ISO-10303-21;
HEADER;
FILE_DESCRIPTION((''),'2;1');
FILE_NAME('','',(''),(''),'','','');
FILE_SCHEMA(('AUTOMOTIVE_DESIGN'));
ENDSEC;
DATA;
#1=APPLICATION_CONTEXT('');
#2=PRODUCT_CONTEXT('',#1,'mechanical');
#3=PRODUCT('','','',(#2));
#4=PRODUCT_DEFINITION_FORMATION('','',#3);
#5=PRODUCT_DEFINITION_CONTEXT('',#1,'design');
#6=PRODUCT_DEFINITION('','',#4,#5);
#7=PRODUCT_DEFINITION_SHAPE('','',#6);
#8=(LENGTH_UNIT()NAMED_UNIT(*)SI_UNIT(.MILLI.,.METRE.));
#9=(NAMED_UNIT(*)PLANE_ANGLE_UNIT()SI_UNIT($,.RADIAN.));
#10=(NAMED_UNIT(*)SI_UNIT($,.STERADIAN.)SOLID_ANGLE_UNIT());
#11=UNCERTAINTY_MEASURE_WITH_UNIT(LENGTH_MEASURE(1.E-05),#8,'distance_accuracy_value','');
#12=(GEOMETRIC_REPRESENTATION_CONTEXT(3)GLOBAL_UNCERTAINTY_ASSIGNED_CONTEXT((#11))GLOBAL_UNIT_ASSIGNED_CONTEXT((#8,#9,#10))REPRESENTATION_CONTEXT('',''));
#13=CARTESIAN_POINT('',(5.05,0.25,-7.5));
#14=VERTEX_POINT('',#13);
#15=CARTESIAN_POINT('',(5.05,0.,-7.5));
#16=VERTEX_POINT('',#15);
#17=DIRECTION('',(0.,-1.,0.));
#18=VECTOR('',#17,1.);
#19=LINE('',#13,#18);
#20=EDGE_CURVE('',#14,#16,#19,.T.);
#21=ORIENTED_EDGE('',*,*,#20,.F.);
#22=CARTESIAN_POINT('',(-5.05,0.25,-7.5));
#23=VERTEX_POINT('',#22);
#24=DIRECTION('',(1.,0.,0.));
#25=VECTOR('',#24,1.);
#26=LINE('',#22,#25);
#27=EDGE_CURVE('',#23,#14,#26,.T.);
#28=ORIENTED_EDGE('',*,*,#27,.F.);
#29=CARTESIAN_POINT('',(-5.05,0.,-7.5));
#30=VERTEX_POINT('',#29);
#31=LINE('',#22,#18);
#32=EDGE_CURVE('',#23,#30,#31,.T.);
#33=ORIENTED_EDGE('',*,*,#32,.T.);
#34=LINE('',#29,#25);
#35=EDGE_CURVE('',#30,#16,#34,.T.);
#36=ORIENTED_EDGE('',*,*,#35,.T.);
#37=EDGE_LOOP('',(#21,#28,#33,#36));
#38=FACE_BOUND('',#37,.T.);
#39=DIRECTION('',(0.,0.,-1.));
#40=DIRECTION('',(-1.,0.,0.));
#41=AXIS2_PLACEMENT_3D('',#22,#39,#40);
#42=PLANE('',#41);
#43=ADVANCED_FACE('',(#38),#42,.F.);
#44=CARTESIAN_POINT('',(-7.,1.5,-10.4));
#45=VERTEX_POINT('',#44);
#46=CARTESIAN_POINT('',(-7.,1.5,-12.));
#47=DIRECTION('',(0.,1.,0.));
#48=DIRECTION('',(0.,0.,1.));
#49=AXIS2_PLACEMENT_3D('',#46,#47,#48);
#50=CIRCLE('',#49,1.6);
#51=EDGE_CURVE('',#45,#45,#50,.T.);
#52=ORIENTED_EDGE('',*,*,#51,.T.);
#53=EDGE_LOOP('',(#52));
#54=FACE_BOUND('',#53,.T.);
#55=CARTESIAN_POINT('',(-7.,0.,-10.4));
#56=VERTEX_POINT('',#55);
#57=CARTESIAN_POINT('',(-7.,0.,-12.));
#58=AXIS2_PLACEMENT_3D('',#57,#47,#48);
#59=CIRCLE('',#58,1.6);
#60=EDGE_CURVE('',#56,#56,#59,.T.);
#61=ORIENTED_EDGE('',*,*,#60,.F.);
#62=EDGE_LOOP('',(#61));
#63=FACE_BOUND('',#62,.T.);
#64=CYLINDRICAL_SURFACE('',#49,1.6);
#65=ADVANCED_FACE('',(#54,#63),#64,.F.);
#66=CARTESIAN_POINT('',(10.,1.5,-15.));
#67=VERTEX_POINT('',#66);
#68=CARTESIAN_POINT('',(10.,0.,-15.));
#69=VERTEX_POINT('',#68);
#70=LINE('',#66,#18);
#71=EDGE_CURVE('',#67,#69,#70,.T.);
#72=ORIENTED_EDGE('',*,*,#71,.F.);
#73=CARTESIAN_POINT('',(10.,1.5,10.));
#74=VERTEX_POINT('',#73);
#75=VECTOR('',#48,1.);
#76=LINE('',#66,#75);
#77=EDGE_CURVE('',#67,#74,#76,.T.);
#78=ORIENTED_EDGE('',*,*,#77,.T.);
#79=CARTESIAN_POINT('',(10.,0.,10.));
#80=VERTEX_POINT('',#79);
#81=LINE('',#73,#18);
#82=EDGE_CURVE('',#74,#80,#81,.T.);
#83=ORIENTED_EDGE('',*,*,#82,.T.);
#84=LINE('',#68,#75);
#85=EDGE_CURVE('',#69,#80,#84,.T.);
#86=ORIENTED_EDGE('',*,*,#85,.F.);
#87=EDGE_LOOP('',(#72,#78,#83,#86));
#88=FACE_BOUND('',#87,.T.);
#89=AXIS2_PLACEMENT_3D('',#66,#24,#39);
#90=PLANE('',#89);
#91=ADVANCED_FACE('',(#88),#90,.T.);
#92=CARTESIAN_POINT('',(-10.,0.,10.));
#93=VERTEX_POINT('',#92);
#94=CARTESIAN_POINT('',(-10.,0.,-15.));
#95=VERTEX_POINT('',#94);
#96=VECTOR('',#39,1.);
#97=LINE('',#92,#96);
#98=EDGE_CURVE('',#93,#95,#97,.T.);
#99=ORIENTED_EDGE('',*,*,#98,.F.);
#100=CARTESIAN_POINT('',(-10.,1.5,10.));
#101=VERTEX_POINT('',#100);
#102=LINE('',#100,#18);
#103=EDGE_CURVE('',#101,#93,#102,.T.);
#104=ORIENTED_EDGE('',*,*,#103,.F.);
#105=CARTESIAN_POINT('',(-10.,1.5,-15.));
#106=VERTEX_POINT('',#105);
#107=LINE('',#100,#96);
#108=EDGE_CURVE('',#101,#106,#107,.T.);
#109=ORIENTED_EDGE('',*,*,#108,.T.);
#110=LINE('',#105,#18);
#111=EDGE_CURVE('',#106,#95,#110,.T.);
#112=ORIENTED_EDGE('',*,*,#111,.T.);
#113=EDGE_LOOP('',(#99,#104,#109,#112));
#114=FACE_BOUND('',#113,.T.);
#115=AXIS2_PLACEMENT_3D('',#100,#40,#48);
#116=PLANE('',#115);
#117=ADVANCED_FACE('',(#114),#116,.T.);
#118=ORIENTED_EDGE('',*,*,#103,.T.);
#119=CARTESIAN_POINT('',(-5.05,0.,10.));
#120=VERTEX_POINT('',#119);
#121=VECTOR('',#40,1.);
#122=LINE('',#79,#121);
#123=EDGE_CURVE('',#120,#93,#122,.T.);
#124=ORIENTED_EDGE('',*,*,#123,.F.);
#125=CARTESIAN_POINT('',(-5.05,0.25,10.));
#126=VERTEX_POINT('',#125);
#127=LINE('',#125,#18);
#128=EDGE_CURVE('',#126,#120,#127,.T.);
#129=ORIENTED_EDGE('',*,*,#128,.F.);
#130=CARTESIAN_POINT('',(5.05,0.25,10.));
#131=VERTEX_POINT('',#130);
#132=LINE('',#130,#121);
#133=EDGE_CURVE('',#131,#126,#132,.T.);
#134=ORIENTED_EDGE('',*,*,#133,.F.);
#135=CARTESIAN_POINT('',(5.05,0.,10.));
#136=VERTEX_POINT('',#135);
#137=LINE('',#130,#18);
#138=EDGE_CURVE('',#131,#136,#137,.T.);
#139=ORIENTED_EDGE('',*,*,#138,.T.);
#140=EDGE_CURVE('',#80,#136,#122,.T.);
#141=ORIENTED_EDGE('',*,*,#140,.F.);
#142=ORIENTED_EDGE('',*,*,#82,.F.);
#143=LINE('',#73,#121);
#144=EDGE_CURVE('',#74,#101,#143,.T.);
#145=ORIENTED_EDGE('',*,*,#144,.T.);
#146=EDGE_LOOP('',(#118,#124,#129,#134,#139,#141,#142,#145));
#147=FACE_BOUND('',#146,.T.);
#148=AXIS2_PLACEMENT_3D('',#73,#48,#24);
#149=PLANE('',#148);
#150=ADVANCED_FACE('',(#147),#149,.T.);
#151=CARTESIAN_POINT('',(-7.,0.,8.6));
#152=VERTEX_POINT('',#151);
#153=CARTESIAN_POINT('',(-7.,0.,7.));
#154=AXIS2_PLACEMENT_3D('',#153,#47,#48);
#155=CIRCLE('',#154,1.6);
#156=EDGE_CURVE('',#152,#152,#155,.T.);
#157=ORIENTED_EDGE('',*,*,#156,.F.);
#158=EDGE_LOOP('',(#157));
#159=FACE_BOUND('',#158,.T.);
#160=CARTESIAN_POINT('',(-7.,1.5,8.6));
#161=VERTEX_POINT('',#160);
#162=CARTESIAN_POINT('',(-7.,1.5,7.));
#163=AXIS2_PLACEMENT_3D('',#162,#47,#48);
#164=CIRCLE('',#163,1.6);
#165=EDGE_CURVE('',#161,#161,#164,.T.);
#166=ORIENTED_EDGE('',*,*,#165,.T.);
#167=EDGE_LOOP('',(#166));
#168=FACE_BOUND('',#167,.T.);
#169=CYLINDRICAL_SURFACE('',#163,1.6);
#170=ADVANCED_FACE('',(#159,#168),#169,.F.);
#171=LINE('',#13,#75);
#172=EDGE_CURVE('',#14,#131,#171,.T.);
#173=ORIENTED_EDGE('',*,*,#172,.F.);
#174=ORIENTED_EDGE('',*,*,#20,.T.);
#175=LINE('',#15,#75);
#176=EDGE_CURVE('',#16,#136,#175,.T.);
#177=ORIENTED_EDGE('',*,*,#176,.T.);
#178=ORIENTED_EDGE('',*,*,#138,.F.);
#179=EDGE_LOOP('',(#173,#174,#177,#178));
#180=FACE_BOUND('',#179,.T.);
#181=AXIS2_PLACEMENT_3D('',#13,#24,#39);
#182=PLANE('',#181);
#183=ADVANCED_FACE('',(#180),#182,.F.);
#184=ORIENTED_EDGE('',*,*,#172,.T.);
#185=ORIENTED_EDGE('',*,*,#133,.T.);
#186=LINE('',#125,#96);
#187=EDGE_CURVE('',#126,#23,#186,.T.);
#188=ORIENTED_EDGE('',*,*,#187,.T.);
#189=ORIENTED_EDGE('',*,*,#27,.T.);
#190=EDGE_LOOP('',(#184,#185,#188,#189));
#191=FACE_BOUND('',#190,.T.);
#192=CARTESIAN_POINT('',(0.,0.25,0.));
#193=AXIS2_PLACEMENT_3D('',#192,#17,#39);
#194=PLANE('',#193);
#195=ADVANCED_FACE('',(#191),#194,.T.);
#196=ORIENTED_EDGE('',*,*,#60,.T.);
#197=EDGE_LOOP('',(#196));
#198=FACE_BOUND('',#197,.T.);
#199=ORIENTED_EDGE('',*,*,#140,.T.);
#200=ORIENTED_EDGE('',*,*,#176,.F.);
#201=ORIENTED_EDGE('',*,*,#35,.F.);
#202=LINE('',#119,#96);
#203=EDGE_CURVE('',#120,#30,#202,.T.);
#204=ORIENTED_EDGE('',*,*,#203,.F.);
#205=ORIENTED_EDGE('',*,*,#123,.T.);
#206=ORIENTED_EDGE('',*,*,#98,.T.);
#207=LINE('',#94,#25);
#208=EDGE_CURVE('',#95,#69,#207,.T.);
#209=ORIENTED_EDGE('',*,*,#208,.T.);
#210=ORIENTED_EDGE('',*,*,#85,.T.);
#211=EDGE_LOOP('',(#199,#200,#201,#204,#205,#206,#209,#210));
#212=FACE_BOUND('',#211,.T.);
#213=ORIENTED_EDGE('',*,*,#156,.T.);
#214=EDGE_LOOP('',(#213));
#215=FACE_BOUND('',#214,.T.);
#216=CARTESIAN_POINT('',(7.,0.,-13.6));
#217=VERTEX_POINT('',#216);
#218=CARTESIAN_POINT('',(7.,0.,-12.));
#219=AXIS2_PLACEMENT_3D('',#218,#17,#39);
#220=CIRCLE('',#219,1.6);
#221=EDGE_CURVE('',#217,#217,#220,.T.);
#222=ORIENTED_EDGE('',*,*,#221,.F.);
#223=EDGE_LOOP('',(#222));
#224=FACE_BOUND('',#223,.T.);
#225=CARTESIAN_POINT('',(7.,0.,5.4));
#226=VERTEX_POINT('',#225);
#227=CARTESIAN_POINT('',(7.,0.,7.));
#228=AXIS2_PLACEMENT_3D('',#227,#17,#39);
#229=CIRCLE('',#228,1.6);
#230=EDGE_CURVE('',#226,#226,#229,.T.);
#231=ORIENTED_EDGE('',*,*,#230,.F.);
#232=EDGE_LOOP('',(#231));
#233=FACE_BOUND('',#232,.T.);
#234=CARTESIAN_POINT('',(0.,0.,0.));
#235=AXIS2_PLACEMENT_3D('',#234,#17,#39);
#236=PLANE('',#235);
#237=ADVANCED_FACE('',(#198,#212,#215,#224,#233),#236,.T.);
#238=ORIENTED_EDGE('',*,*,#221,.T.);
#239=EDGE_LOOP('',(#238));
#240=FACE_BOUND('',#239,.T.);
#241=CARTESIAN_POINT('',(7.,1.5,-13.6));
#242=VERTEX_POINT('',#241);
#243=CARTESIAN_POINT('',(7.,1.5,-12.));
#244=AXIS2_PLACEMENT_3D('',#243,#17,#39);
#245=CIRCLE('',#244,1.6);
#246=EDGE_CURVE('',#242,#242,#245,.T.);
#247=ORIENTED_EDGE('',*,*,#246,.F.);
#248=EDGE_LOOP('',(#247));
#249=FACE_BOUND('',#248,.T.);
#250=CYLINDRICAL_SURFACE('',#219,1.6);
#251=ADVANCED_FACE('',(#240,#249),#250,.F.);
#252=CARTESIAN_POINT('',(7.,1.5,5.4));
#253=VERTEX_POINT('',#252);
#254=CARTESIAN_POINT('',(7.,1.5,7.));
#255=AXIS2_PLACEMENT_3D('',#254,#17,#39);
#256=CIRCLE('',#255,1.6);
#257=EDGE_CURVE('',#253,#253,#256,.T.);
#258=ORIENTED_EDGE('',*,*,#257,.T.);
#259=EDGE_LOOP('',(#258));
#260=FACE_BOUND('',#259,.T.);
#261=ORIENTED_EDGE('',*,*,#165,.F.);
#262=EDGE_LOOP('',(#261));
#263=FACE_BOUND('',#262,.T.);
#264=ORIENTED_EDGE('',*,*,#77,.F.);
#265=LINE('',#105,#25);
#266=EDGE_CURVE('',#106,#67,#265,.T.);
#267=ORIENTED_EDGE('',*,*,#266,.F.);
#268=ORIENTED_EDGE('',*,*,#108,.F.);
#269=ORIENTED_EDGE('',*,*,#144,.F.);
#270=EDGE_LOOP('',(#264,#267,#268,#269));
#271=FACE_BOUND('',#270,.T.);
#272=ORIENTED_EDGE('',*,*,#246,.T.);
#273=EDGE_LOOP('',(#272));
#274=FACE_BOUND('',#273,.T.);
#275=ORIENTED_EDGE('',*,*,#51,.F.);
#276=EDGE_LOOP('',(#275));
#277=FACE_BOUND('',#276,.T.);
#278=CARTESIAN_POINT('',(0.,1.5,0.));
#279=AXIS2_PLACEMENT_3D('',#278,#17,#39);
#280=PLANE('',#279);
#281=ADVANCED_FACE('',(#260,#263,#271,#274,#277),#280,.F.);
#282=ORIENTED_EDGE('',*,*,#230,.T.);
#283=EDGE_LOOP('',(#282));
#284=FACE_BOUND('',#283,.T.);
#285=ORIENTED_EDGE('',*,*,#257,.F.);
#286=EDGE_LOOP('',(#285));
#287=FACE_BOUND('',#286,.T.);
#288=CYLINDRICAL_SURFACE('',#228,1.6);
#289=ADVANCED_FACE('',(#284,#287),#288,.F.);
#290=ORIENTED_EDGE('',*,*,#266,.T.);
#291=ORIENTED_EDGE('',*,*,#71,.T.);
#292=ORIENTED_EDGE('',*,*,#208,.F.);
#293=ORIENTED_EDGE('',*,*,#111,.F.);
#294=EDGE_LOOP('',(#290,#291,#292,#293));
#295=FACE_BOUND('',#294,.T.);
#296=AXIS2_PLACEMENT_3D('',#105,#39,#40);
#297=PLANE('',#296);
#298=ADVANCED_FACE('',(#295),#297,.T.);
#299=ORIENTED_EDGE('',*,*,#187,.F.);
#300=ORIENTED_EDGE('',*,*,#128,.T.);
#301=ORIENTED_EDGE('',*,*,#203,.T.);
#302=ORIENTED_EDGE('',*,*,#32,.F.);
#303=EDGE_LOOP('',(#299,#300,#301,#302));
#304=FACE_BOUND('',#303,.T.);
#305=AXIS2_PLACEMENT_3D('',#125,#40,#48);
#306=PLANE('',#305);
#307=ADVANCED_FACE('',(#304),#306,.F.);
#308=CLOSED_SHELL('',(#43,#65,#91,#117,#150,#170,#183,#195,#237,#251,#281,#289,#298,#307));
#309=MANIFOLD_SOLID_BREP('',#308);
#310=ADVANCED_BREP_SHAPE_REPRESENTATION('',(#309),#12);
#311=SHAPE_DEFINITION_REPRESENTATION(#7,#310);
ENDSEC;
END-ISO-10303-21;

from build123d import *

# Parameters (mm, degrees)
SKETCH_1_W              = 20
SKETCH_1_H              = 25
EXTRUDE_1_DEPTH         = 1.5
SKETCH_2_W              = 10.1
SKETCH_2_H              = 17.5
CUT_EXTRUDE_1_DEPTH     = 0.25
HOLE_WIZARD_3_2_3_2_1_D = 3.2
HOLE_WIZARD_3_2_3_2_2_D = 3.2


with BuildPart() as part:
    # 草图1 → 凸台-拉伸1 (new body)
    with BuildSketch(Plane.XZ):
        with Locations((0, -2.5)):
            Rectangle(SKETCH_1_W, SKETCH_1_H)
    extrude(amount=-EXTRUDE_1_DEPTH)

    # 草图2 → 切除-拉伸1 (cut)
    with BuildSketch(Plane.XZ):
        with Locations((0, 1.25)):
            Rectangle(SKETCH_2_W, SKETCH_2_H)
    extrude(amount=-CUT_EXTRUDE_1_DEPTH, mode=Mode.SUBTRACT)

    # Ø3.2 (3.2) 直径孔1 (through all)
    with Locations(Plane(origin=(0, 0, 0), x_dir=(-1, 0, 0), z_dir=(0, -1, 0))):
        with Locations((-7, -7), (-7, 12)):
            Hole(HOLE_WIZARD_3_2_3_2_1_D / 2)

    # Ø3.2 (3.2) 直径孔2 (through all)
    with Locations(Plane(origin=(0, 1.5, 0), x_dir=(1, 0, 0), z_dir=(0, 1, 0))):
        with Locations((-7, -7), (-7, 12)):
            Hole(HOLE_WIZARD_3_2_3_2_2_D / 2)


solid = part.part
